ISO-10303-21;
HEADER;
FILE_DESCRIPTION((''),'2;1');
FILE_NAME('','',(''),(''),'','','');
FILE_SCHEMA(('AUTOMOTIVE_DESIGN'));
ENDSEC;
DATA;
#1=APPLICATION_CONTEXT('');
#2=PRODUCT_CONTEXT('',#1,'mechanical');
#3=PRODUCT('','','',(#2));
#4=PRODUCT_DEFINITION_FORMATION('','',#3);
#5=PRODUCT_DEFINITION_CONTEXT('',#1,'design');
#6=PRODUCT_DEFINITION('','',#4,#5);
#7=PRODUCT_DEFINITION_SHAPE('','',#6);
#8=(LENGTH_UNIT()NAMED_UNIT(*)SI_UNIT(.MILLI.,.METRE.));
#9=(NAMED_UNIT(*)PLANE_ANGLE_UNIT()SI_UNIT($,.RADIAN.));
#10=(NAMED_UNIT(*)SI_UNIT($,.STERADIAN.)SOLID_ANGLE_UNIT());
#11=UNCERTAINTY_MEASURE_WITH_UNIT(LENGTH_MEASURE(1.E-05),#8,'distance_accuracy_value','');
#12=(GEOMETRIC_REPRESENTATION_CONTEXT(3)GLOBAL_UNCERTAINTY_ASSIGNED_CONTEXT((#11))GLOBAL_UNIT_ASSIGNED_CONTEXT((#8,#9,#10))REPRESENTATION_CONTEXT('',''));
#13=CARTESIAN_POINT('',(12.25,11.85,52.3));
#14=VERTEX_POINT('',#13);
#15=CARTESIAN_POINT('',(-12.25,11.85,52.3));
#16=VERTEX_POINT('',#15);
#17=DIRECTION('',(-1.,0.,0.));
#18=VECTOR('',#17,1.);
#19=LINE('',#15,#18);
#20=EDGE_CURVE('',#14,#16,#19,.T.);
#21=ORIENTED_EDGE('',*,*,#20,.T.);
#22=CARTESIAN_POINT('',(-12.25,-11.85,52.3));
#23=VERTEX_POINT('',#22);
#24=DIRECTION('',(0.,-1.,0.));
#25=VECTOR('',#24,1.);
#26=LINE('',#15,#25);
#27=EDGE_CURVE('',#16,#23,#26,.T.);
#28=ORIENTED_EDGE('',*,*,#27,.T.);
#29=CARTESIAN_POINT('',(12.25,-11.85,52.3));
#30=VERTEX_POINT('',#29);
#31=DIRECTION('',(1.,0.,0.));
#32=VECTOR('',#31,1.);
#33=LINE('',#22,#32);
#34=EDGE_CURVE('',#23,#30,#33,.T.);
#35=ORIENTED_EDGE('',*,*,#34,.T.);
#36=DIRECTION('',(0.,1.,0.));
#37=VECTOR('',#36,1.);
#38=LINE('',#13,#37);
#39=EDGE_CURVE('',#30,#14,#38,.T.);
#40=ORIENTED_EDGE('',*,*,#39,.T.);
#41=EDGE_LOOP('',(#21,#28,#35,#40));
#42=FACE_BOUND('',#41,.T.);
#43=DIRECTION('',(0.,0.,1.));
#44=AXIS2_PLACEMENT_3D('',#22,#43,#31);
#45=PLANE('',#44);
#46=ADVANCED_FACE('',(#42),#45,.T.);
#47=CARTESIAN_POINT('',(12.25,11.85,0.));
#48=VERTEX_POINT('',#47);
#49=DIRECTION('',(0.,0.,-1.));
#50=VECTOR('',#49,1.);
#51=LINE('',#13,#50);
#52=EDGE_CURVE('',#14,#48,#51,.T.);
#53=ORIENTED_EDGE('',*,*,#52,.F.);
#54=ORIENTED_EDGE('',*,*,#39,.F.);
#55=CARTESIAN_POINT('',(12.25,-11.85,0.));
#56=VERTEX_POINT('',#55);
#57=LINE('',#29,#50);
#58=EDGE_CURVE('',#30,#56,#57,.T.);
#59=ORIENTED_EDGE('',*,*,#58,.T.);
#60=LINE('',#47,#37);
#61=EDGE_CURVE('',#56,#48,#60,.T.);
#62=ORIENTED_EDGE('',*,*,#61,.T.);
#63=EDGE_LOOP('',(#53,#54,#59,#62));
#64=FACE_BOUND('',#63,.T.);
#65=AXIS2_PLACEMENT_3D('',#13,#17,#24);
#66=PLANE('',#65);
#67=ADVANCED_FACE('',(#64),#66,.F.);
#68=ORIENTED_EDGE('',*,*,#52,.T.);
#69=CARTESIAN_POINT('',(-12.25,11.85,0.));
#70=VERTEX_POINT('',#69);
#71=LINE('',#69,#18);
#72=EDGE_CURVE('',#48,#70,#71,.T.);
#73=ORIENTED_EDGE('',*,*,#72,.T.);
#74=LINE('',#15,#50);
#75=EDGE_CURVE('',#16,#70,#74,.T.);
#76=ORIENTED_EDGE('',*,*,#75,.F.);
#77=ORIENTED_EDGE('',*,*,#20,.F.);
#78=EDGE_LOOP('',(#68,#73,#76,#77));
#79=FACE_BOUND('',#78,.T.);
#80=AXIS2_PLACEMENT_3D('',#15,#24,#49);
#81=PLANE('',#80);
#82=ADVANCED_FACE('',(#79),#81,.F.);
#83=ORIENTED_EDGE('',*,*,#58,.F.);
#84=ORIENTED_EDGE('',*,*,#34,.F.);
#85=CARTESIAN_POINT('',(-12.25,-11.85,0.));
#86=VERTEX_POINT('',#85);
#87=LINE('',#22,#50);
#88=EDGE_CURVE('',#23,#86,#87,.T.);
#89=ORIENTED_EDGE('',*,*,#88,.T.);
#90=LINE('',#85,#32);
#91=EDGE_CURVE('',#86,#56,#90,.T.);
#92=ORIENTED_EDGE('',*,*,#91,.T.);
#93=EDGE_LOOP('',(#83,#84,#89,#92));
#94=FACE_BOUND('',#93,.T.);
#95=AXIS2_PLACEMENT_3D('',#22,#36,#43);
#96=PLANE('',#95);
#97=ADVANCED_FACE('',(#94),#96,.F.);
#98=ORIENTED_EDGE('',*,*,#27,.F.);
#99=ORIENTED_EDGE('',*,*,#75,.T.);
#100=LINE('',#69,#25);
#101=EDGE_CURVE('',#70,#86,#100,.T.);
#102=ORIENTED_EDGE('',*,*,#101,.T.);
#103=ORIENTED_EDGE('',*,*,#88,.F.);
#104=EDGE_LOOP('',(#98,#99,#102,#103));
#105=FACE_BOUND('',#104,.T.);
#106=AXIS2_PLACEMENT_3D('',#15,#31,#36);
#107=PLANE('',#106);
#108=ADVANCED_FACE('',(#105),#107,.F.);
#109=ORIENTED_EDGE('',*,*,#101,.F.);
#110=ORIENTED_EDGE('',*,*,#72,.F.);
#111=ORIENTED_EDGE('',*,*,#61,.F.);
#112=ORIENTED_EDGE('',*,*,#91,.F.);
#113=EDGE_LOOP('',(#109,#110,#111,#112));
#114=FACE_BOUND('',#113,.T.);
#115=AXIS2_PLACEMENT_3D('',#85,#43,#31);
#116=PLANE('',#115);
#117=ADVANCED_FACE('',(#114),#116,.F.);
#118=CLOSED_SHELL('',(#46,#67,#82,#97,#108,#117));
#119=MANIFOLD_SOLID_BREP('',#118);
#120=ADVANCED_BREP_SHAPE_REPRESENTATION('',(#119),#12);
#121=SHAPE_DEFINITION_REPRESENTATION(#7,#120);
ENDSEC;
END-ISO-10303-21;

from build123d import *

# Parameters (mm, degrees)
SKETCH2_W      = 24.5
SKETCH2_H      = 23.7
EXTRUDE1_DEPTH = 52.3


with BuildPart() as part:
    # Sketch2 → Extrude1 (new body)
    with BuildSketch(Plane.XY):
        Rectangle(SKETCH2_W, SKETCH2_H)
    extrude(amount=EXTRUDE1_DEPTH)


solid = part.part
